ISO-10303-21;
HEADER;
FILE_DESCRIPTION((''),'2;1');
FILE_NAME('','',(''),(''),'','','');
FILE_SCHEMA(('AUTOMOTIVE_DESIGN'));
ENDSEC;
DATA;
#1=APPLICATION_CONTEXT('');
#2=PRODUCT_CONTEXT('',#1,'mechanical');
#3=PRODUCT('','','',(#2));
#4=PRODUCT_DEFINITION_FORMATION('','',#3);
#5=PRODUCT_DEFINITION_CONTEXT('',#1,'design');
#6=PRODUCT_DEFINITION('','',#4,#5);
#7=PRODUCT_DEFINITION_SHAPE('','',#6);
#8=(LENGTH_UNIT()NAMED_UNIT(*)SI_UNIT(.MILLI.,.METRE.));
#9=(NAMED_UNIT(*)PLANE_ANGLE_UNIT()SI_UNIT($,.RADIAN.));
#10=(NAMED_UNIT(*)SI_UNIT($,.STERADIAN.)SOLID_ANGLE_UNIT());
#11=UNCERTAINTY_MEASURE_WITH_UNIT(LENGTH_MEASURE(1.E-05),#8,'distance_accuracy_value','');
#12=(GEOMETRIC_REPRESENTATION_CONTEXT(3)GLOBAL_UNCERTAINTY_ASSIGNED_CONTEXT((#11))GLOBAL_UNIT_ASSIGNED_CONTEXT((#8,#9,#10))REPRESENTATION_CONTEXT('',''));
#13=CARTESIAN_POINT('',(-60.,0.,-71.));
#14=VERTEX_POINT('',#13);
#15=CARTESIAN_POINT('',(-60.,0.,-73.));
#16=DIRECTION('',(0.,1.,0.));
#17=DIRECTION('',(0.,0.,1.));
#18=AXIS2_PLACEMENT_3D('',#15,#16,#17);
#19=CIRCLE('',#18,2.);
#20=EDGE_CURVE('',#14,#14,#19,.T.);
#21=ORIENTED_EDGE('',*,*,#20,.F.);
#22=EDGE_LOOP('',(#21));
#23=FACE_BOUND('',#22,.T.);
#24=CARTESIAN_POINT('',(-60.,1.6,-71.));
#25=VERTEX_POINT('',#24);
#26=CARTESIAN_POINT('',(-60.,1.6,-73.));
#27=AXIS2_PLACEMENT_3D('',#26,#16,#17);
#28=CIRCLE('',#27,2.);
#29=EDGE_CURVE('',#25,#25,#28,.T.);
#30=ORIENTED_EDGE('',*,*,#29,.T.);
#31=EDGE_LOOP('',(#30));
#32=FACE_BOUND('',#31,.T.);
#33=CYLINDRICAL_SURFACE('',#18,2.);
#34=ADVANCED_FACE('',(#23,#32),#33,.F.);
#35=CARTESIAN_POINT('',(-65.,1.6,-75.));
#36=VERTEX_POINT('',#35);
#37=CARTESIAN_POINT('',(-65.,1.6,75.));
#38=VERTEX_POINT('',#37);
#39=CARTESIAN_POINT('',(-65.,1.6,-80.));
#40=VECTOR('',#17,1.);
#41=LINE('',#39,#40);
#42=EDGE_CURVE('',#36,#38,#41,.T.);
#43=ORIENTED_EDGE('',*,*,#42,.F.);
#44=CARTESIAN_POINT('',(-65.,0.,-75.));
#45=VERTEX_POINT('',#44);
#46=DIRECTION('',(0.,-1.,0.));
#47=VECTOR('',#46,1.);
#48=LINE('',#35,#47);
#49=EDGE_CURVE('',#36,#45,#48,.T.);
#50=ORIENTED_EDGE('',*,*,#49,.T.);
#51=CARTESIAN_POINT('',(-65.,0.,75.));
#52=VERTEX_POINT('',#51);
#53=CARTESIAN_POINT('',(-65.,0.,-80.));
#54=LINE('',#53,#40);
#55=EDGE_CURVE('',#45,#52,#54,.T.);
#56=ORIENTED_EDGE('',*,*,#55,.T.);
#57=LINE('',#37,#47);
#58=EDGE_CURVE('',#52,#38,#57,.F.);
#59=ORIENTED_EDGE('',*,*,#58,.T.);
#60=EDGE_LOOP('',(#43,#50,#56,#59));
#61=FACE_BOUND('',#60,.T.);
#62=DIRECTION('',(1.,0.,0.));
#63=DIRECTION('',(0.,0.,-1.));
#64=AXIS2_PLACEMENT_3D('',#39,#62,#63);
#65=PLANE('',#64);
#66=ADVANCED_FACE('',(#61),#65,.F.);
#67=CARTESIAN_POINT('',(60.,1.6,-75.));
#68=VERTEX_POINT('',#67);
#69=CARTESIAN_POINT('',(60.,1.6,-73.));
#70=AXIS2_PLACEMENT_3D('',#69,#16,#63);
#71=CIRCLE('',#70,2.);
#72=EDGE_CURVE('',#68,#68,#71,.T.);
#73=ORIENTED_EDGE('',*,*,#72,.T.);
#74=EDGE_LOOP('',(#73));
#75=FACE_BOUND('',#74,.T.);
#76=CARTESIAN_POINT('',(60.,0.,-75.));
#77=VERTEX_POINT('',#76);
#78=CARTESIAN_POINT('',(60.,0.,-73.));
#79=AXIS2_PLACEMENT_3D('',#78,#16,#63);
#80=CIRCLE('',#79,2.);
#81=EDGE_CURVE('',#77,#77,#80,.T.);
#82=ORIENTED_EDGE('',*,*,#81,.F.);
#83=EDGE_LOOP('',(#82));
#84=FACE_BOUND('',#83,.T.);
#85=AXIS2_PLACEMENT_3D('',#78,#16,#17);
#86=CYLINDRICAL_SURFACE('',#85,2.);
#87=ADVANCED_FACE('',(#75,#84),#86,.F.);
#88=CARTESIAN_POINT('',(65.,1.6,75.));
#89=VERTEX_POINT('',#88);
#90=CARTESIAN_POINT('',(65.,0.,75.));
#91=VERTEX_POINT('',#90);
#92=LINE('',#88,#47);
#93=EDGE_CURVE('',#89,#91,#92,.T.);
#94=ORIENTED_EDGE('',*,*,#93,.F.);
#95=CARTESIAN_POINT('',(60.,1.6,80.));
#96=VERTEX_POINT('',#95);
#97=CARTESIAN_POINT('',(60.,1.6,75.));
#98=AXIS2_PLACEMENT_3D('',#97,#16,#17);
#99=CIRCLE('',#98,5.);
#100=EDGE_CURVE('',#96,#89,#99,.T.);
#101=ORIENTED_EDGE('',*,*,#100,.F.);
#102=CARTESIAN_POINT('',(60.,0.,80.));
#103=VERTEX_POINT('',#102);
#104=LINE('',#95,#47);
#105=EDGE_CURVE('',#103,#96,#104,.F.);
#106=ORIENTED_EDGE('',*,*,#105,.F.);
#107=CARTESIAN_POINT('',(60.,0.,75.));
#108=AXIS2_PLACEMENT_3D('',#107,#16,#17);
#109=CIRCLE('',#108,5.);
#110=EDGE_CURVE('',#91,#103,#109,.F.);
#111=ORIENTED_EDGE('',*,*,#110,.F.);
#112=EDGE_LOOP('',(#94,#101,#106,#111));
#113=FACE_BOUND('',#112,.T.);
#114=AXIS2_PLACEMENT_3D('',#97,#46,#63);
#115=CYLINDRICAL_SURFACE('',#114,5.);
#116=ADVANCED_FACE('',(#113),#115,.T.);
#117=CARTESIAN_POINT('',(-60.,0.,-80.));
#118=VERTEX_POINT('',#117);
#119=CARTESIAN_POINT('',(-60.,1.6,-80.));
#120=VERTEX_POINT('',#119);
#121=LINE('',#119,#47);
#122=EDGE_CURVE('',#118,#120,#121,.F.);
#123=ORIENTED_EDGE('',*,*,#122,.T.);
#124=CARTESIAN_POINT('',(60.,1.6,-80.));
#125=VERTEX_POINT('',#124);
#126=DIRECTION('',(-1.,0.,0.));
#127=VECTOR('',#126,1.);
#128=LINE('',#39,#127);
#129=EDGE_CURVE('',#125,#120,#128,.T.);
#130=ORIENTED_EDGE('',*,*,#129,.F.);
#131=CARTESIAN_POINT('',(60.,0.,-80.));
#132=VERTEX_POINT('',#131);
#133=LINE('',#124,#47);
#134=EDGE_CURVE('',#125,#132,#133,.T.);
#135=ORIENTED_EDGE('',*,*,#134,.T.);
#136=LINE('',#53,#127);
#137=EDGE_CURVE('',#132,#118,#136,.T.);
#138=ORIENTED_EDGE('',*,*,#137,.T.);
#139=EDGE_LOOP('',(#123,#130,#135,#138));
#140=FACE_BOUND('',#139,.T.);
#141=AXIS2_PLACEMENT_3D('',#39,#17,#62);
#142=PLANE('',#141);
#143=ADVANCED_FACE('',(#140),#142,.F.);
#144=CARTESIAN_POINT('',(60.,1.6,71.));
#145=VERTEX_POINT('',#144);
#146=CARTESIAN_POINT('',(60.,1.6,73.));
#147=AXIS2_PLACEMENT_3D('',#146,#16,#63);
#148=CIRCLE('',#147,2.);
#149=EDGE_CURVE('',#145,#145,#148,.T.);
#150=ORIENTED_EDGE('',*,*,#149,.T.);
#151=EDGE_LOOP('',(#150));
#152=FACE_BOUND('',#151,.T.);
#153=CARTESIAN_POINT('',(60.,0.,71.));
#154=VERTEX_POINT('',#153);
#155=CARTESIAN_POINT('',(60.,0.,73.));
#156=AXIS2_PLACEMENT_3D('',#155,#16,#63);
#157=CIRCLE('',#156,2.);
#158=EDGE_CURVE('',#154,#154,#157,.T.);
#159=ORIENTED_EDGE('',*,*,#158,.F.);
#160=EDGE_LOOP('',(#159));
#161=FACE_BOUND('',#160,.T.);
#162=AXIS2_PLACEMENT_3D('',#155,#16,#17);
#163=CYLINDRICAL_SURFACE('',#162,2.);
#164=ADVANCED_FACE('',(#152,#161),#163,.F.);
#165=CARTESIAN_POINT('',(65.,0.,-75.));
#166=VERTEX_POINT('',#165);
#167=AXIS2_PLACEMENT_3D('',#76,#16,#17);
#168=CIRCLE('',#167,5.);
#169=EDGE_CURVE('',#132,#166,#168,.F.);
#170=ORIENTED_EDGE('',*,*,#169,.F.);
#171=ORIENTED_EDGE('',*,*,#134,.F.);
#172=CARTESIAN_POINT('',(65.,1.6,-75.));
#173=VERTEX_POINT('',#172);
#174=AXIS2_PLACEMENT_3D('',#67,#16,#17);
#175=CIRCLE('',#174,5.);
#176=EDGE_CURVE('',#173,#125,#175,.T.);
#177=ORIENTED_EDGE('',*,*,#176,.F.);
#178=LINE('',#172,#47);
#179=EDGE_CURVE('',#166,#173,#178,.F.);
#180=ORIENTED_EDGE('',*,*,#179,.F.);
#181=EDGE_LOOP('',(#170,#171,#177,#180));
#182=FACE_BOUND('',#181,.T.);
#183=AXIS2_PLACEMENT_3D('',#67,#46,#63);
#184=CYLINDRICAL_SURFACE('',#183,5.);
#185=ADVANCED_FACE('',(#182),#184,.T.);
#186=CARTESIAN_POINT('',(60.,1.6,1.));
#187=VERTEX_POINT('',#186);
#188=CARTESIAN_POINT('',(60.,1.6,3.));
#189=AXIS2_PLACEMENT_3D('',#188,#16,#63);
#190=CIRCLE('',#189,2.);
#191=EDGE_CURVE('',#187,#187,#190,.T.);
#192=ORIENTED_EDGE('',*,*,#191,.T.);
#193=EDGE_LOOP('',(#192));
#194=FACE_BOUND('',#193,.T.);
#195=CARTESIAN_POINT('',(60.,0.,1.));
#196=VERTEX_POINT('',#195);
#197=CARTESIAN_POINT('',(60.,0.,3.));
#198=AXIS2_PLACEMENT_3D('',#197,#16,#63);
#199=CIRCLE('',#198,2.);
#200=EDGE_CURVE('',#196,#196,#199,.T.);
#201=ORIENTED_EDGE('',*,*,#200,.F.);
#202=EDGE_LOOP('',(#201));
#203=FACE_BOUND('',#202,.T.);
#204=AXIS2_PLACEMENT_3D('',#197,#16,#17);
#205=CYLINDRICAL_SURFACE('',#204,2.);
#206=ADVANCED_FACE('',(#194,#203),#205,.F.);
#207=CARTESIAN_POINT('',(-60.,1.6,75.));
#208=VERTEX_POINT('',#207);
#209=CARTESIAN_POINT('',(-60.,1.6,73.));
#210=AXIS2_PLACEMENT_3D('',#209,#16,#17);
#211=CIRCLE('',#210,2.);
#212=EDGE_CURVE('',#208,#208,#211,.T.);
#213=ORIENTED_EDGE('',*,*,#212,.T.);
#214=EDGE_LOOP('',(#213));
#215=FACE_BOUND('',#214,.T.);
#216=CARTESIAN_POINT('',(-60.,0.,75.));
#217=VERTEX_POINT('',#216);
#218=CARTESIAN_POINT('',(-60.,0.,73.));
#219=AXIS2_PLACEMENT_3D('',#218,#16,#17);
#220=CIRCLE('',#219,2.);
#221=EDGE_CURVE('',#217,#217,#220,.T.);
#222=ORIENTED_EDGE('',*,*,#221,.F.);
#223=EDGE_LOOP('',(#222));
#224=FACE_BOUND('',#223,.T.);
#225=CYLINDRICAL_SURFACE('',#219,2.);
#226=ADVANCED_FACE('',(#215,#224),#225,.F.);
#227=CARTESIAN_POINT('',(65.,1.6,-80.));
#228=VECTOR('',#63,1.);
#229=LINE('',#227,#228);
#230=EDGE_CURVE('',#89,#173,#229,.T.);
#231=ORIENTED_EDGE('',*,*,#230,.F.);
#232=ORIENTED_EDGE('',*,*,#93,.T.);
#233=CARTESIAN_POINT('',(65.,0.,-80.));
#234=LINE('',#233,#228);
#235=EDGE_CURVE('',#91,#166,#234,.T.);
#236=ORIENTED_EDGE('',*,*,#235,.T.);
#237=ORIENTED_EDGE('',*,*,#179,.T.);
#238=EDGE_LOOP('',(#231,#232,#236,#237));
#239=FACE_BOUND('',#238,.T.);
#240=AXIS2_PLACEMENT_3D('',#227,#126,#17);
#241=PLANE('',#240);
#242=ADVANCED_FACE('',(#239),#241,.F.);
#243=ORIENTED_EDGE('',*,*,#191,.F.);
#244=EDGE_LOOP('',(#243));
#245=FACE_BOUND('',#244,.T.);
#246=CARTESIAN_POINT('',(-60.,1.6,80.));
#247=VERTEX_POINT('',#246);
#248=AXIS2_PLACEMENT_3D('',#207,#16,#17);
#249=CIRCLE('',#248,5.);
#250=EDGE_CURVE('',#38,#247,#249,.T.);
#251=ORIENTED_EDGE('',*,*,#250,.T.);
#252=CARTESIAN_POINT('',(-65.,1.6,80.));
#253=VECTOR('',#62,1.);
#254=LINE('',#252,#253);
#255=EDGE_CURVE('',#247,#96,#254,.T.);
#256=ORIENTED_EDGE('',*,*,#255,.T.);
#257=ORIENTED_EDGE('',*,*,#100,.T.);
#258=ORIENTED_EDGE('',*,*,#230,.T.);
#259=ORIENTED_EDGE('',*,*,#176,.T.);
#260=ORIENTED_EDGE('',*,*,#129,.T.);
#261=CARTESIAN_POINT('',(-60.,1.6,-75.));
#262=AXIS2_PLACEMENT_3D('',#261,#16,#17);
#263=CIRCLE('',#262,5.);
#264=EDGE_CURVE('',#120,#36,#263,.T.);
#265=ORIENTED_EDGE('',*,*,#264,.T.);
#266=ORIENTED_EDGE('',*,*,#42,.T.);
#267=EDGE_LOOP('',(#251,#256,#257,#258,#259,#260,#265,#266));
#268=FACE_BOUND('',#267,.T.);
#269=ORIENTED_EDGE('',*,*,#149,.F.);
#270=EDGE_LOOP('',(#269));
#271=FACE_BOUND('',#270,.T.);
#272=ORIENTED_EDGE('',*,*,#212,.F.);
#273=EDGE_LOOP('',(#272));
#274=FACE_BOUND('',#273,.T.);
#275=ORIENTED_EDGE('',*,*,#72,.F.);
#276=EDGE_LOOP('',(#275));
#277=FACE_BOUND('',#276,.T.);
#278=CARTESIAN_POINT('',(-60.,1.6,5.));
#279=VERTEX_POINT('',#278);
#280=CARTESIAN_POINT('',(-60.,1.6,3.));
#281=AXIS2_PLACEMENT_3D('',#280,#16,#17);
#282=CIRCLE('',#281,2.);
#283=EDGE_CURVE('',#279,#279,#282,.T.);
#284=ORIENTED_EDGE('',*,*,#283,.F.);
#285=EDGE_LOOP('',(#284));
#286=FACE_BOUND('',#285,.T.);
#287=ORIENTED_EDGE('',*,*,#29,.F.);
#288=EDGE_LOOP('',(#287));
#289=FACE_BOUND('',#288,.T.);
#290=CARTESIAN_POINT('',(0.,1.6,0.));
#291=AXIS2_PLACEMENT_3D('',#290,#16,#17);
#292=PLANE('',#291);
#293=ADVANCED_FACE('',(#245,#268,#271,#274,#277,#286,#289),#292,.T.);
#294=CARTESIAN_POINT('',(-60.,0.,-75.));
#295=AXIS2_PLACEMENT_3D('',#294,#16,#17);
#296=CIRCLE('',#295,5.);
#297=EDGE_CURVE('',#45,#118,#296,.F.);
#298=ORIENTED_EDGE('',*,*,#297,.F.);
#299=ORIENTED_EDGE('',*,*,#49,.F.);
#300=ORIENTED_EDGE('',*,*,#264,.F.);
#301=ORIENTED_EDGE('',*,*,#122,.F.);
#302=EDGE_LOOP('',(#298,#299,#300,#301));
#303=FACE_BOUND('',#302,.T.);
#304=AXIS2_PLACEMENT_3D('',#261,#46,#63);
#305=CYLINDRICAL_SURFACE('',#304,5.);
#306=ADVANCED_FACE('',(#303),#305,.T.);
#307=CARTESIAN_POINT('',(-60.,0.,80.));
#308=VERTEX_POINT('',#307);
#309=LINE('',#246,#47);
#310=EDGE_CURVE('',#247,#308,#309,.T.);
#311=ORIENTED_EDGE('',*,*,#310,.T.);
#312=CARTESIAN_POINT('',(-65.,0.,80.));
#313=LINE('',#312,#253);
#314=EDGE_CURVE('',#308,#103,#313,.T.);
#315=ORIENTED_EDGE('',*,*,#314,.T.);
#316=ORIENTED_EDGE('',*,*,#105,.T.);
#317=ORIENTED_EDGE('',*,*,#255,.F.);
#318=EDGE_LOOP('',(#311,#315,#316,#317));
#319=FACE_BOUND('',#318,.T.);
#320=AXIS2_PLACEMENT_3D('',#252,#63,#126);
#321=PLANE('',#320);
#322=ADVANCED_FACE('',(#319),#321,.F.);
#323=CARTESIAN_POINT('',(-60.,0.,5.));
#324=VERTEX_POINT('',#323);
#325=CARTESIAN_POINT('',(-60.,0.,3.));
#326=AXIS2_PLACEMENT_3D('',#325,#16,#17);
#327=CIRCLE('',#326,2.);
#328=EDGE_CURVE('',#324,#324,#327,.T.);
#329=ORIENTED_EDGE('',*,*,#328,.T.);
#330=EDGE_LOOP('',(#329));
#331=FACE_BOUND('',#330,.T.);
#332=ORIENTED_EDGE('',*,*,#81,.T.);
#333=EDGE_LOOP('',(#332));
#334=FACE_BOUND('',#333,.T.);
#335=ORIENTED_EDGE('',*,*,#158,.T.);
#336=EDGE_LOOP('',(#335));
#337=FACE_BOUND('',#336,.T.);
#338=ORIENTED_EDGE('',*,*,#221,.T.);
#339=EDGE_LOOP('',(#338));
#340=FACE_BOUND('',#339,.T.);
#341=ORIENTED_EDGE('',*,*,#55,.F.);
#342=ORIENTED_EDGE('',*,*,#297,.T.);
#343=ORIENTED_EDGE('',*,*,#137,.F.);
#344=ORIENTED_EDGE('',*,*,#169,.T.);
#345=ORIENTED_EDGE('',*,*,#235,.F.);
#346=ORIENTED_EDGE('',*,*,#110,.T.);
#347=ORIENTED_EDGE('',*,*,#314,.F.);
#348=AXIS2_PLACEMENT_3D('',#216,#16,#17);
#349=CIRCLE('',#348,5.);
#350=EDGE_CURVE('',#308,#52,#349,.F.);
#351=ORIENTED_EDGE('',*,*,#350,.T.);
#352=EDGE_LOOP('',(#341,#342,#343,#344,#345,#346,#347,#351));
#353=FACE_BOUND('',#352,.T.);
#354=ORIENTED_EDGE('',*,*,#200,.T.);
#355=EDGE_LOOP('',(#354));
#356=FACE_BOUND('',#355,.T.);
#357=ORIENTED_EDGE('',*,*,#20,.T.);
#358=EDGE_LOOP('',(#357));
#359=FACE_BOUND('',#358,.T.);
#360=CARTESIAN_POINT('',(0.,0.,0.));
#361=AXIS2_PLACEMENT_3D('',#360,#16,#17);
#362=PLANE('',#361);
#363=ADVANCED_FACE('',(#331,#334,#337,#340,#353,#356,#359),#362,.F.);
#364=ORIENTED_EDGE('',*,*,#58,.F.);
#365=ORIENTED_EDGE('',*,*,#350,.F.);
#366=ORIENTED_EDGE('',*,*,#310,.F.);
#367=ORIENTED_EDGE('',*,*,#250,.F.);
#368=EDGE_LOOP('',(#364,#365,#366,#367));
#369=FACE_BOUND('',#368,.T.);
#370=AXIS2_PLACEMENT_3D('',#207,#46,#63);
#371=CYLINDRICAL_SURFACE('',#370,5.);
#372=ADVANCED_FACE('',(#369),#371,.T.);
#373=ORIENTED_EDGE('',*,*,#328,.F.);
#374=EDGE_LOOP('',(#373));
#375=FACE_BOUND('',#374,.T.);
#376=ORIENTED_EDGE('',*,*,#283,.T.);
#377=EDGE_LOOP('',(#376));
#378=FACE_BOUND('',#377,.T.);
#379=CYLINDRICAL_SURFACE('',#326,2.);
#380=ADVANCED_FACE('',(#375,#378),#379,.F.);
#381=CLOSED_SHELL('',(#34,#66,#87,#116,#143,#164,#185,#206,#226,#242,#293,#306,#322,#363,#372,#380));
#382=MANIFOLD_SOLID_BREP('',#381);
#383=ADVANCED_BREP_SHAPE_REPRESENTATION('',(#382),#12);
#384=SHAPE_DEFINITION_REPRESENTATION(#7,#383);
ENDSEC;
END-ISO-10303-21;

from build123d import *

# Parameters (mm, degrees)
ESQUISSE1_W             = 130
ESQUISSE1_H             = 160
BOSS_EXTRU_1_DEPTH      = 1.6
ESQUISSE2_R             = 2
ENL_V_MAT_EXTRU_1_DEPTH = 104.090057717
CONG_1_R                = 5


with BuildPart() as part:
    # Esquisse1 → Boss.-Extru.1 (new body)
    with BuildSketch(Plane(origin=(0, 0, 0), x_dir=(1, 0, 0), z_dir=(0, 1, 0))):
        Rectangle(ESQUISSE1_W, ESQUISSE1_H)
    extrude(amount=BOSS_EXTRU_1_DEPTH)

    # Esquisse2 → Enlèv. mat.-Extru.1 (cut, through all)
    with BuildSketch(Plane(origin=(0, 1.6, 0), x_dir=(1, 0, 0), z_dir=(0, 1, 0))):
        with Locations(Location((-60, 73, 0), (0, 0, 270))):
            Circle(ESQUISSE2_R)
        with Locations(Location((-60, -3, 0), (0, 0, 270))):
            Circle(ESQUISSE2_R)
        with Locations(Location((-60, -73, 0), (0, 0, 270))):
            Circle(ESQUISSE2_R)
        with Locations(Location((60, -73, 0), (0, 0, 90))):
            Circle(ESQUISSE2_R)
        with Locations(Location((60, -3, 0), (0, 0, 90))):
            Circle(ESQUISSE2_R)
        with Locations(Location((60, 73, 0), (0, 0, 90))):
            Circle(ESQUISSE2_R)
    extrude(amount=-ENL_V_MAT_EXTRU_1_DEPTH, mode=Mode.SUBTRACT)

    # Congé1
    cong_1_edges = [part.edges().sort_by_distance(p)[0] for p in [
        (65, 0.8, 80),
        (-65, 0.8, 80),
        (-65, 0.8, -80),
        (65, 0.8, -80),
    ]]
    fillet(cong_1_edges, radius=CONG_1_R)


solid = part.part
